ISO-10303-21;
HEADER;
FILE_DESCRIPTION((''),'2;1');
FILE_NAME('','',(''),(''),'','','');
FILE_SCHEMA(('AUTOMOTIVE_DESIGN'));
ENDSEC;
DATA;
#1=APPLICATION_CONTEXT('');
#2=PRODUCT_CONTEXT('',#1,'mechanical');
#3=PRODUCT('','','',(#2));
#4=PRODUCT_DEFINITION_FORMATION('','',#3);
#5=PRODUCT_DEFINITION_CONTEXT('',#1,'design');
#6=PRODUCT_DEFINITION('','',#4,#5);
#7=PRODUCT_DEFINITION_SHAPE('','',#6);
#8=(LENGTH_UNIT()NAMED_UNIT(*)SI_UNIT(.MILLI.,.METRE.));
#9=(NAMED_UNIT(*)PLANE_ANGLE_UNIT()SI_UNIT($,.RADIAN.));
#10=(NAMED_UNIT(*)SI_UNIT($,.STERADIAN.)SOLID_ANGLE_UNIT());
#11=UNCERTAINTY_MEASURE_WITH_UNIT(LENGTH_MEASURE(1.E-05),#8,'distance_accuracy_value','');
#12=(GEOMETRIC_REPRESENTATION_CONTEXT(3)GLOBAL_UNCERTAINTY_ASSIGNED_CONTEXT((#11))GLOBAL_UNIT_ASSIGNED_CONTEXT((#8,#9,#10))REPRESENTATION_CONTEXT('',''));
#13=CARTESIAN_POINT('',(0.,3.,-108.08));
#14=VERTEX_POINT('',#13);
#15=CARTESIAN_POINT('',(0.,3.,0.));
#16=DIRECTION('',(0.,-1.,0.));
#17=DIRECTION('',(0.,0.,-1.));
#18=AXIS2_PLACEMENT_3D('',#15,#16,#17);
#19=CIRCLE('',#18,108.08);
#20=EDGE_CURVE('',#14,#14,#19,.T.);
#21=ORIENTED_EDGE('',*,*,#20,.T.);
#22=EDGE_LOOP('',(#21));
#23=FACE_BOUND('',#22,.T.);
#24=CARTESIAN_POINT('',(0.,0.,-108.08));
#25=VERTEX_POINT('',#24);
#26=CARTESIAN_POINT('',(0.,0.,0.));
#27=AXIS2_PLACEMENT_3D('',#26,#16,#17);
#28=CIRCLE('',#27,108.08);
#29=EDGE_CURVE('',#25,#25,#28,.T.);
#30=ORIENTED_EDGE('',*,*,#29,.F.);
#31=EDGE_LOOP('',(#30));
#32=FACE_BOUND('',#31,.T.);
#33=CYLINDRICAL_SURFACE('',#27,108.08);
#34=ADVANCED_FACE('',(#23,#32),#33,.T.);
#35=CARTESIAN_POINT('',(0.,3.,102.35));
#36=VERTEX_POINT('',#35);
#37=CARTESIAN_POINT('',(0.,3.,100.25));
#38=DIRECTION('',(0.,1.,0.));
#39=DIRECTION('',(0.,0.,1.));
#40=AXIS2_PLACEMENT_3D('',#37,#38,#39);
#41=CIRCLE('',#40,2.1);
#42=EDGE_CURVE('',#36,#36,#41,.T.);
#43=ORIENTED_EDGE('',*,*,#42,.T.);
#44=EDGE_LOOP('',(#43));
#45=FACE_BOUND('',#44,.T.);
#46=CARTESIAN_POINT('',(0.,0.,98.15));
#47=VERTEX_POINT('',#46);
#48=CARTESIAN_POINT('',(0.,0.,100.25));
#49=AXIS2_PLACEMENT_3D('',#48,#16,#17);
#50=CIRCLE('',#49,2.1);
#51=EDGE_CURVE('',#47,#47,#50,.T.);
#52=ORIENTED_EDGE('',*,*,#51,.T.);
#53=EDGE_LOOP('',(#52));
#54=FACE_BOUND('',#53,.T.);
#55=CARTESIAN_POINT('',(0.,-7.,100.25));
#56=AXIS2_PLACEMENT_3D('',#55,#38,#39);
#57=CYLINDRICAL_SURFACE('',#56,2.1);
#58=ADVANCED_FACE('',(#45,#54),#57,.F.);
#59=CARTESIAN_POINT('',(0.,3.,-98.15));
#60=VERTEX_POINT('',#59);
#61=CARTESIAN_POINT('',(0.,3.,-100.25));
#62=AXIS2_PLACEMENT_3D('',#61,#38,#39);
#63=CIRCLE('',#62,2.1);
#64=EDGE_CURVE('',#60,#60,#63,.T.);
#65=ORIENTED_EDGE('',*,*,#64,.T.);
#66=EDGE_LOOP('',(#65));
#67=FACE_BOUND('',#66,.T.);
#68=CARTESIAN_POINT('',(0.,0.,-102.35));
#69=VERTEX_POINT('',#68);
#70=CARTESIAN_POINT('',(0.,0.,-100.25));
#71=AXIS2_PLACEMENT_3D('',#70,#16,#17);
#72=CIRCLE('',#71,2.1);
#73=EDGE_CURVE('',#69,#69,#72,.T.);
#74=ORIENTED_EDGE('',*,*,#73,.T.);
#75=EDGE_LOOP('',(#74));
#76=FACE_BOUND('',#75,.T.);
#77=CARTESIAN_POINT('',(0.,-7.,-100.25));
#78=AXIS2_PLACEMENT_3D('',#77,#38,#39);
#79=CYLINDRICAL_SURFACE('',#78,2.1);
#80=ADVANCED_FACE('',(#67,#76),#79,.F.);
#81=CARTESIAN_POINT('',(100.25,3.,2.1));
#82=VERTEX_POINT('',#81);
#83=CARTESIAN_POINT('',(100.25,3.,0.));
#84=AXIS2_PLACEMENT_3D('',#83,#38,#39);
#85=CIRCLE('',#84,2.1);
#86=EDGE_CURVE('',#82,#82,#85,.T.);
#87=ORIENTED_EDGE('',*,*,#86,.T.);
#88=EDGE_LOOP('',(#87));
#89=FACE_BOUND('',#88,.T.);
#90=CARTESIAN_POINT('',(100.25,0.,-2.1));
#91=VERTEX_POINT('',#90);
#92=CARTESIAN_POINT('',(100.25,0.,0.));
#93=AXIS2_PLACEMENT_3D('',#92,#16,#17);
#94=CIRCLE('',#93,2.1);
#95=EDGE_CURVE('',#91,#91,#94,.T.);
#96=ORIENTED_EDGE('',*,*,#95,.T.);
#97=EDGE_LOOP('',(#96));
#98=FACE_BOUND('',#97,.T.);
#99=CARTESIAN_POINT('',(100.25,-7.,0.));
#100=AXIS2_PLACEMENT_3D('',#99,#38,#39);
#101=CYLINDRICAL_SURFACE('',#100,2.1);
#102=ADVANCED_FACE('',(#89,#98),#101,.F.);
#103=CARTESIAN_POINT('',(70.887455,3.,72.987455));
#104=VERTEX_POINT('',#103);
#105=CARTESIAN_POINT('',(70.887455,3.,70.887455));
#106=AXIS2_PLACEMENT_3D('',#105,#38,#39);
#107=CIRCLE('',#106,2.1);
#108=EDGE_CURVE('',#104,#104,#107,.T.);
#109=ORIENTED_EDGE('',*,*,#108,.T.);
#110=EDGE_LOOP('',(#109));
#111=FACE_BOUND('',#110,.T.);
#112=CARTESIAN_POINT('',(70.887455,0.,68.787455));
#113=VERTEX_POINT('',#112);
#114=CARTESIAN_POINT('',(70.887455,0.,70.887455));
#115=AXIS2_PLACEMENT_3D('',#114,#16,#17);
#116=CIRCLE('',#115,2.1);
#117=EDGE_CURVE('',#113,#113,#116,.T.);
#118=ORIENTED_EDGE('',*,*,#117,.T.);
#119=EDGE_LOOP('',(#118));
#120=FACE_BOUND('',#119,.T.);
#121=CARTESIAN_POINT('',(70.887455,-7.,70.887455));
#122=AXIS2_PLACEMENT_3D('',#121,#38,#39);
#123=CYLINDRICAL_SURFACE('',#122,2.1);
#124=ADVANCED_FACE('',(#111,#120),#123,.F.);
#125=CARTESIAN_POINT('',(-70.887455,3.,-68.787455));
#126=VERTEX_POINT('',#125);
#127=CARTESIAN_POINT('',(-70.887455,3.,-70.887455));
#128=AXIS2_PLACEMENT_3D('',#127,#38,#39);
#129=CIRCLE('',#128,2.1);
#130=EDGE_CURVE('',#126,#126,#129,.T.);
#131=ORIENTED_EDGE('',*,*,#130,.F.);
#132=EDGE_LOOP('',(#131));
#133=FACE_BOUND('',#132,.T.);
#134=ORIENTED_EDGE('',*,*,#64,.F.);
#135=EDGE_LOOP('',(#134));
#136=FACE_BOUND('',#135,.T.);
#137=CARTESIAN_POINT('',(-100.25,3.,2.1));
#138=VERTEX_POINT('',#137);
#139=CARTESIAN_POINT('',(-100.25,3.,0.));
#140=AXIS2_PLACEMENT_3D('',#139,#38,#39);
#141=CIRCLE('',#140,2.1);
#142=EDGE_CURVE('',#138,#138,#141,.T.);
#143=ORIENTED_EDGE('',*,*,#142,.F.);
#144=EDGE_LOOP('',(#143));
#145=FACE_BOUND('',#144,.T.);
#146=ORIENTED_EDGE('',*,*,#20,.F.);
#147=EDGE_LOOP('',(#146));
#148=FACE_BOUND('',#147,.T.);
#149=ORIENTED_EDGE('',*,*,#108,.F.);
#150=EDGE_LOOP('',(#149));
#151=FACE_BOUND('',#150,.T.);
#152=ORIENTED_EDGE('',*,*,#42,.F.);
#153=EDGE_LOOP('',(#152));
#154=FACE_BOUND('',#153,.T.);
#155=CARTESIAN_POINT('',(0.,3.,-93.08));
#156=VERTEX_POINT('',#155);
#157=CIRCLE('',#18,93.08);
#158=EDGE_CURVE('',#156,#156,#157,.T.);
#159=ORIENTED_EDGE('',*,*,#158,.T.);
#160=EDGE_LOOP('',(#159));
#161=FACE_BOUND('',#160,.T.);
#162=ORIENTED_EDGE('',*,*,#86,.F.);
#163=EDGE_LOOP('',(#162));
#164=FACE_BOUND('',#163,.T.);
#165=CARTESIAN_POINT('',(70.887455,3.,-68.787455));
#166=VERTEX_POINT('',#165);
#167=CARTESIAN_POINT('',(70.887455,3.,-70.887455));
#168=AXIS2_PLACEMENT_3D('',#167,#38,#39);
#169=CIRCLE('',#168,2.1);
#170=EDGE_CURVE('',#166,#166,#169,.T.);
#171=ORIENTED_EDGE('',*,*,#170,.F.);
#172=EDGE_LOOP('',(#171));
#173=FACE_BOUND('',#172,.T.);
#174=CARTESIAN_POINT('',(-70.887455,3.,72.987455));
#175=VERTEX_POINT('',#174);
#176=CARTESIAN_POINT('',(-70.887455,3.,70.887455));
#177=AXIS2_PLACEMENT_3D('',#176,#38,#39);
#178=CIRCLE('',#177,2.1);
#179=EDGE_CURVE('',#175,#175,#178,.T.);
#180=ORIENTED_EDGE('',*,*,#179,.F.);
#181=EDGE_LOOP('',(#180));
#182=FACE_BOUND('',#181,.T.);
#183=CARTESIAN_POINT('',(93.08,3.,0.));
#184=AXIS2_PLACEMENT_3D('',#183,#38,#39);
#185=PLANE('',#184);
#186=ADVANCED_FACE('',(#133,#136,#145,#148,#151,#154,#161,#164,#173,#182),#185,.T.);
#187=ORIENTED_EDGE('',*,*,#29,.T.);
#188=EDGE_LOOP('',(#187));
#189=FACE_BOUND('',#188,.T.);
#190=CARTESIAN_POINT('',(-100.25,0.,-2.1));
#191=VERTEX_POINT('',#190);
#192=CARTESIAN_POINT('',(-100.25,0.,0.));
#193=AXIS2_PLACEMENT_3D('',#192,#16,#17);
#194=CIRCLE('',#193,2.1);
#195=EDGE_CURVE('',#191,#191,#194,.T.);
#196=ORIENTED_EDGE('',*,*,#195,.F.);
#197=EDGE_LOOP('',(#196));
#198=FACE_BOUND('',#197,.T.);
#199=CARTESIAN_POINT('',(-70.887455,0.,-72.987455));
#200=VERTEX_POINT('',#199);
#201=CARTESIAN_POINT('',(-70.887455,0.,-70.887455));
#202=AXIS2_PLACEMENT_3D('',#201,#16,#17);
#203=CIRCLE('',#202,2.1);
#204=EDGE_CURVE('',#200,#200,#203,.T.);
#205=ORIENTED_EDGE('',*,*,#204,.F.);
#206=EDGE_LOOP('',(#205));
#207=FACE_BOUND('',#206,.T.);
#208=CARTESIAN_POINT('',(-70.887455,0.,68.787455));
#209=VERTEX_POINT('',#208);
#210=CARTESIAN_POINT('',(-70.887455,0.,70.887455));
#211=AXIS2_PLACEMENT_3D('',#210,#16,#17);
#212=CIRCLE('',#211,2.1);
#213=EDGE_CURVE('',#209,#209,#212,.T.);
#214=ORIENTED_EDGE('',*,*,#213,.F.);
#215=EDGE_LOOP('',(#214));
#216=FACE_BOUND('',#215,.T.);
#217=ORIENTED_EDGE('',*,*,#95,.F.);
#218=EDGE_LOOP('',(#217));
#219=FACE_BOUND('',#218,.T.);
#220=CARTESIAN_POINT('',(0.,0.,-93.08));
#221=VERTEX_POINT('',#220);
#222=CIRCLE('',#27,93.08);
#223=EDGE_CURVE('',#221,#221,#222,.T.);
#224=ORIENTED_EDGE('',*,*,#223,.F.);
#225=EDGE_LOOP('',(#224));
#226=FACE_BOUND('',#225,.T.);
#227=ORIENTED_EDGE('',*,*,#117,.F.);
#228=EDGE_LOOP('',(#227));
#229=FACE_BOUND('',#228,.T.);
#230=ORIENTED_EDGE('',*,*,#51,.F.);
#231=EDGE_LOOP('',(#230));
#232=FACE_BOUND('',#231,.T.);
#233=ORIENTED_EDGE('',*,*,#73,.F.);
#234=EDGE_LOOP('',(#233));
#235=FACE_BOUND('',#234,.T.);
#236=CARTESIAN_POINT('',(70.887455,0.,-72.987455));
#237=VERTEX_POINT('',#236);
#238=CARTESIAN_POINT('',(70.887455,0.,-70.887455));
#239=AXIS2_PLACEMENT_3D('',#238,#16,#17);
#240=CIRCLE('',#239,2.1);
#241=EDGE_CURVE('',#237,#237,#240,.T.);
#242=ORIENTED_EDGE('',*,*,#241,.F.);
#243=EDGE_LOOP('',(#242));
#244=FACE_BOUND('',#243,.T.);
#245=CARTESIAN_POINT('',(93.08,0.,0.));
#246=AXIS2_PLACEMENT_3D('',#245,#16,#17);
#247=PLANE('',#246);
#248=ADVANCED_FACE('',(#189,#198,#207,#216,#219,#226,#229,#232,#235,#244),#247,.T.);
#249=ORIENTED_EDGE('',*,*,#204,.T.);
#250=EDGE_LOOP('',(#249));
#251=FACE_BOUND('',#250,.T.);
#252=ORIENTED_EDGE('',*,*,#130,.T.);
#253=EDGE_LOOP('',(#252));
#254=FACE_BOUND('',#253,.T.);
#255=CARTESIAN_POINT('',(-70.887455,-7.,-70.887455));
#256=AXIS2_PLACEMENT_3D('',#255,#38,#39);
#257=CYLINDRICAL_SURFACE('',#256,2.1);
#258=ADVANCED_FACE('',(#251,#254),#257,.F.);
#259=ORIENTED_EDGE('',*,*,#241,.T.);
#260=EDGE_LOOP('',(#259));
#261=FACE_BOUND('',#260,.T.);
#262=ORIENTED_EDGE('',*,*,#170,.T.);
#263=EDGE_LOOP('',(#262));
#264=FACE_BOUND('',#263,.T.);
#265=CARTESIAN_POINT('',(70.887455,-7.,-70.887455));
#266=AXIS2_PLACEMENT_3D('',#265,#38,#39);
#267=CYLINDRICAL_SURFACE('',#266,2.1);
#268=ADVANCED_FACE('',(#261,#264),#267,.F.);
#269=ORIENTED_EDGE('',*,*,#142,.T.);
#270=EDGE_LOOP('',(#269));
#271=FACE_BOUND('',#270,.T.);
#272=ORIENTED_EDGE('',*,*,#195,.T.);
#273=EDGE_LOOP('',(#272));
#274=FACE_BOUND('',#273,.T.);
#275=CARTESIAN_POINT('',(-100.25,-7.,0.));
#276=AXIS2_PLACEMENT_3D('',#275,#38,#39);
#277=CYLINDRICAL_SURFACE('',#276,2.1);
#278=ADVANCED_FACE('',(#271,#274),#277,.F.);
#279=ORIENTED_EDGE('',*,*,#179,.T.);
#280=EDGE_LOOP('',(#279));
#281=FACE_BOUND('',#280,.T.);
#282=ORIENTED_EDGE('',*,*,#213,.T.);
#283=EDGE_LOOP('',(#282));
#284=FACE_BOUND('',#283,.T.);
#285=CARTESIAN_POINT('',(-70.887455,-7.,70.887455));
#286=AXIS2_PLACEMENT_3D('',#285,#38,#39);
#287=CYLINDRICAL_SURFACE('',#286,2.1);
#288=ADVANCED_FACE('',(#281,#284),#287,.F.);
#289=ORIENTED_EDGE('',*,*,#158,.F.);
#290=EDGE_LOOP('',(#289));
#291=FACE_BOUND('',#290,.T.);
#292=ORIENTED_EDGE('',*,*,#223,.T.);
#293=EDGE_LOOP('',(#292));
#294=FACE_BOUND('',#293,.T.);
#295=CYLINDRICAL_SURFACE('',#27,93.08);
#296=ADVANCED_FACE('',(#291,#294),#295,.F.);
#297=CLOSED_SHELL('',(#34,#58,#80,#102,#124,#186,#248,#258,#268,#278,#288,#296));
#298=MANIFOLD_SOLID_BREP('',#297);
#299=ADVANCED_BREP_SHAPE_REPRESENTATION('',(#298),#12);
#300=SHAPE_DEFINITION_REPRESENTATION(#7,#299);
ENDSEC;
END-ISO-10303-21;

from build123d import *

# Parameters (mm, degrees)
SKETCH_1_W          = 15
SKETCH_1_H          = 3
SKETCH_3_R          = 2.1
CUT_EXTRUDE_2_DEPTH = 10


with BuildPart() as part:
    # 草图1 → 旋转1 (revolve)
    with BuildSketch(Plane.XY, mode=Mode.PRIVATE) as revolve_1_sk:
        with Locations((100.58, 1.5)):
            Rectangle(SKETCH_1_W, SKETCH_1_H)
    revolve(revolve_1_sk.sketch.rotate(Axis((0, 0, 0), (0, 1, 0)), 90), axis=Axis((0, 0, 0), (0, 1, 0)))

    # 草图3 → 切除-拉伸2 (cut)
    with BuildSketch(Plane(origin=(0, 3, 0), x_dir=(1, 0, 0), z_dir=(0, 1, 0))):
        with Locations(Location((-100.25, 0, 0), (0, 0, 270))):
            Circle(SKETCH_3_R)
        with Locations(Location((-70.887454814, 70.887454814, 0), (0, 0, 270))):
            Circle(SKETCH_3_R)
        with Locations(Location((0, 100.25, 0), (0, 0, 270))):
            Circle(SKETCH_3_R)
        with Locations(Location((70.887454814, 70.887454814, 0), (0, 0, 270))):
            Circle(SKETCH_3_R)
        with Locations(Location((100.25, 0, 0), (0, 0, 270))):
            Circle(SKETCH_3_R)
        with Locations(Location((70.887454814, -70.887454814, 0), (0, 0, 270))):
            Circle(SKETCH_3_R)
        with Locations(Location((0, -100.25, 0), (0, 0, 270))):
            Circle(SKETCH_3_R)
        with Locations(Location((-70.887454814, -70.887454814, 0), (0, 0, 270))):
            Circle(SKETCH_3_R)
    extrude(amount=-CUT_EXTRUDE_2_DEPTH, mode=Mode.SUBTRACT)


solid = part.part
